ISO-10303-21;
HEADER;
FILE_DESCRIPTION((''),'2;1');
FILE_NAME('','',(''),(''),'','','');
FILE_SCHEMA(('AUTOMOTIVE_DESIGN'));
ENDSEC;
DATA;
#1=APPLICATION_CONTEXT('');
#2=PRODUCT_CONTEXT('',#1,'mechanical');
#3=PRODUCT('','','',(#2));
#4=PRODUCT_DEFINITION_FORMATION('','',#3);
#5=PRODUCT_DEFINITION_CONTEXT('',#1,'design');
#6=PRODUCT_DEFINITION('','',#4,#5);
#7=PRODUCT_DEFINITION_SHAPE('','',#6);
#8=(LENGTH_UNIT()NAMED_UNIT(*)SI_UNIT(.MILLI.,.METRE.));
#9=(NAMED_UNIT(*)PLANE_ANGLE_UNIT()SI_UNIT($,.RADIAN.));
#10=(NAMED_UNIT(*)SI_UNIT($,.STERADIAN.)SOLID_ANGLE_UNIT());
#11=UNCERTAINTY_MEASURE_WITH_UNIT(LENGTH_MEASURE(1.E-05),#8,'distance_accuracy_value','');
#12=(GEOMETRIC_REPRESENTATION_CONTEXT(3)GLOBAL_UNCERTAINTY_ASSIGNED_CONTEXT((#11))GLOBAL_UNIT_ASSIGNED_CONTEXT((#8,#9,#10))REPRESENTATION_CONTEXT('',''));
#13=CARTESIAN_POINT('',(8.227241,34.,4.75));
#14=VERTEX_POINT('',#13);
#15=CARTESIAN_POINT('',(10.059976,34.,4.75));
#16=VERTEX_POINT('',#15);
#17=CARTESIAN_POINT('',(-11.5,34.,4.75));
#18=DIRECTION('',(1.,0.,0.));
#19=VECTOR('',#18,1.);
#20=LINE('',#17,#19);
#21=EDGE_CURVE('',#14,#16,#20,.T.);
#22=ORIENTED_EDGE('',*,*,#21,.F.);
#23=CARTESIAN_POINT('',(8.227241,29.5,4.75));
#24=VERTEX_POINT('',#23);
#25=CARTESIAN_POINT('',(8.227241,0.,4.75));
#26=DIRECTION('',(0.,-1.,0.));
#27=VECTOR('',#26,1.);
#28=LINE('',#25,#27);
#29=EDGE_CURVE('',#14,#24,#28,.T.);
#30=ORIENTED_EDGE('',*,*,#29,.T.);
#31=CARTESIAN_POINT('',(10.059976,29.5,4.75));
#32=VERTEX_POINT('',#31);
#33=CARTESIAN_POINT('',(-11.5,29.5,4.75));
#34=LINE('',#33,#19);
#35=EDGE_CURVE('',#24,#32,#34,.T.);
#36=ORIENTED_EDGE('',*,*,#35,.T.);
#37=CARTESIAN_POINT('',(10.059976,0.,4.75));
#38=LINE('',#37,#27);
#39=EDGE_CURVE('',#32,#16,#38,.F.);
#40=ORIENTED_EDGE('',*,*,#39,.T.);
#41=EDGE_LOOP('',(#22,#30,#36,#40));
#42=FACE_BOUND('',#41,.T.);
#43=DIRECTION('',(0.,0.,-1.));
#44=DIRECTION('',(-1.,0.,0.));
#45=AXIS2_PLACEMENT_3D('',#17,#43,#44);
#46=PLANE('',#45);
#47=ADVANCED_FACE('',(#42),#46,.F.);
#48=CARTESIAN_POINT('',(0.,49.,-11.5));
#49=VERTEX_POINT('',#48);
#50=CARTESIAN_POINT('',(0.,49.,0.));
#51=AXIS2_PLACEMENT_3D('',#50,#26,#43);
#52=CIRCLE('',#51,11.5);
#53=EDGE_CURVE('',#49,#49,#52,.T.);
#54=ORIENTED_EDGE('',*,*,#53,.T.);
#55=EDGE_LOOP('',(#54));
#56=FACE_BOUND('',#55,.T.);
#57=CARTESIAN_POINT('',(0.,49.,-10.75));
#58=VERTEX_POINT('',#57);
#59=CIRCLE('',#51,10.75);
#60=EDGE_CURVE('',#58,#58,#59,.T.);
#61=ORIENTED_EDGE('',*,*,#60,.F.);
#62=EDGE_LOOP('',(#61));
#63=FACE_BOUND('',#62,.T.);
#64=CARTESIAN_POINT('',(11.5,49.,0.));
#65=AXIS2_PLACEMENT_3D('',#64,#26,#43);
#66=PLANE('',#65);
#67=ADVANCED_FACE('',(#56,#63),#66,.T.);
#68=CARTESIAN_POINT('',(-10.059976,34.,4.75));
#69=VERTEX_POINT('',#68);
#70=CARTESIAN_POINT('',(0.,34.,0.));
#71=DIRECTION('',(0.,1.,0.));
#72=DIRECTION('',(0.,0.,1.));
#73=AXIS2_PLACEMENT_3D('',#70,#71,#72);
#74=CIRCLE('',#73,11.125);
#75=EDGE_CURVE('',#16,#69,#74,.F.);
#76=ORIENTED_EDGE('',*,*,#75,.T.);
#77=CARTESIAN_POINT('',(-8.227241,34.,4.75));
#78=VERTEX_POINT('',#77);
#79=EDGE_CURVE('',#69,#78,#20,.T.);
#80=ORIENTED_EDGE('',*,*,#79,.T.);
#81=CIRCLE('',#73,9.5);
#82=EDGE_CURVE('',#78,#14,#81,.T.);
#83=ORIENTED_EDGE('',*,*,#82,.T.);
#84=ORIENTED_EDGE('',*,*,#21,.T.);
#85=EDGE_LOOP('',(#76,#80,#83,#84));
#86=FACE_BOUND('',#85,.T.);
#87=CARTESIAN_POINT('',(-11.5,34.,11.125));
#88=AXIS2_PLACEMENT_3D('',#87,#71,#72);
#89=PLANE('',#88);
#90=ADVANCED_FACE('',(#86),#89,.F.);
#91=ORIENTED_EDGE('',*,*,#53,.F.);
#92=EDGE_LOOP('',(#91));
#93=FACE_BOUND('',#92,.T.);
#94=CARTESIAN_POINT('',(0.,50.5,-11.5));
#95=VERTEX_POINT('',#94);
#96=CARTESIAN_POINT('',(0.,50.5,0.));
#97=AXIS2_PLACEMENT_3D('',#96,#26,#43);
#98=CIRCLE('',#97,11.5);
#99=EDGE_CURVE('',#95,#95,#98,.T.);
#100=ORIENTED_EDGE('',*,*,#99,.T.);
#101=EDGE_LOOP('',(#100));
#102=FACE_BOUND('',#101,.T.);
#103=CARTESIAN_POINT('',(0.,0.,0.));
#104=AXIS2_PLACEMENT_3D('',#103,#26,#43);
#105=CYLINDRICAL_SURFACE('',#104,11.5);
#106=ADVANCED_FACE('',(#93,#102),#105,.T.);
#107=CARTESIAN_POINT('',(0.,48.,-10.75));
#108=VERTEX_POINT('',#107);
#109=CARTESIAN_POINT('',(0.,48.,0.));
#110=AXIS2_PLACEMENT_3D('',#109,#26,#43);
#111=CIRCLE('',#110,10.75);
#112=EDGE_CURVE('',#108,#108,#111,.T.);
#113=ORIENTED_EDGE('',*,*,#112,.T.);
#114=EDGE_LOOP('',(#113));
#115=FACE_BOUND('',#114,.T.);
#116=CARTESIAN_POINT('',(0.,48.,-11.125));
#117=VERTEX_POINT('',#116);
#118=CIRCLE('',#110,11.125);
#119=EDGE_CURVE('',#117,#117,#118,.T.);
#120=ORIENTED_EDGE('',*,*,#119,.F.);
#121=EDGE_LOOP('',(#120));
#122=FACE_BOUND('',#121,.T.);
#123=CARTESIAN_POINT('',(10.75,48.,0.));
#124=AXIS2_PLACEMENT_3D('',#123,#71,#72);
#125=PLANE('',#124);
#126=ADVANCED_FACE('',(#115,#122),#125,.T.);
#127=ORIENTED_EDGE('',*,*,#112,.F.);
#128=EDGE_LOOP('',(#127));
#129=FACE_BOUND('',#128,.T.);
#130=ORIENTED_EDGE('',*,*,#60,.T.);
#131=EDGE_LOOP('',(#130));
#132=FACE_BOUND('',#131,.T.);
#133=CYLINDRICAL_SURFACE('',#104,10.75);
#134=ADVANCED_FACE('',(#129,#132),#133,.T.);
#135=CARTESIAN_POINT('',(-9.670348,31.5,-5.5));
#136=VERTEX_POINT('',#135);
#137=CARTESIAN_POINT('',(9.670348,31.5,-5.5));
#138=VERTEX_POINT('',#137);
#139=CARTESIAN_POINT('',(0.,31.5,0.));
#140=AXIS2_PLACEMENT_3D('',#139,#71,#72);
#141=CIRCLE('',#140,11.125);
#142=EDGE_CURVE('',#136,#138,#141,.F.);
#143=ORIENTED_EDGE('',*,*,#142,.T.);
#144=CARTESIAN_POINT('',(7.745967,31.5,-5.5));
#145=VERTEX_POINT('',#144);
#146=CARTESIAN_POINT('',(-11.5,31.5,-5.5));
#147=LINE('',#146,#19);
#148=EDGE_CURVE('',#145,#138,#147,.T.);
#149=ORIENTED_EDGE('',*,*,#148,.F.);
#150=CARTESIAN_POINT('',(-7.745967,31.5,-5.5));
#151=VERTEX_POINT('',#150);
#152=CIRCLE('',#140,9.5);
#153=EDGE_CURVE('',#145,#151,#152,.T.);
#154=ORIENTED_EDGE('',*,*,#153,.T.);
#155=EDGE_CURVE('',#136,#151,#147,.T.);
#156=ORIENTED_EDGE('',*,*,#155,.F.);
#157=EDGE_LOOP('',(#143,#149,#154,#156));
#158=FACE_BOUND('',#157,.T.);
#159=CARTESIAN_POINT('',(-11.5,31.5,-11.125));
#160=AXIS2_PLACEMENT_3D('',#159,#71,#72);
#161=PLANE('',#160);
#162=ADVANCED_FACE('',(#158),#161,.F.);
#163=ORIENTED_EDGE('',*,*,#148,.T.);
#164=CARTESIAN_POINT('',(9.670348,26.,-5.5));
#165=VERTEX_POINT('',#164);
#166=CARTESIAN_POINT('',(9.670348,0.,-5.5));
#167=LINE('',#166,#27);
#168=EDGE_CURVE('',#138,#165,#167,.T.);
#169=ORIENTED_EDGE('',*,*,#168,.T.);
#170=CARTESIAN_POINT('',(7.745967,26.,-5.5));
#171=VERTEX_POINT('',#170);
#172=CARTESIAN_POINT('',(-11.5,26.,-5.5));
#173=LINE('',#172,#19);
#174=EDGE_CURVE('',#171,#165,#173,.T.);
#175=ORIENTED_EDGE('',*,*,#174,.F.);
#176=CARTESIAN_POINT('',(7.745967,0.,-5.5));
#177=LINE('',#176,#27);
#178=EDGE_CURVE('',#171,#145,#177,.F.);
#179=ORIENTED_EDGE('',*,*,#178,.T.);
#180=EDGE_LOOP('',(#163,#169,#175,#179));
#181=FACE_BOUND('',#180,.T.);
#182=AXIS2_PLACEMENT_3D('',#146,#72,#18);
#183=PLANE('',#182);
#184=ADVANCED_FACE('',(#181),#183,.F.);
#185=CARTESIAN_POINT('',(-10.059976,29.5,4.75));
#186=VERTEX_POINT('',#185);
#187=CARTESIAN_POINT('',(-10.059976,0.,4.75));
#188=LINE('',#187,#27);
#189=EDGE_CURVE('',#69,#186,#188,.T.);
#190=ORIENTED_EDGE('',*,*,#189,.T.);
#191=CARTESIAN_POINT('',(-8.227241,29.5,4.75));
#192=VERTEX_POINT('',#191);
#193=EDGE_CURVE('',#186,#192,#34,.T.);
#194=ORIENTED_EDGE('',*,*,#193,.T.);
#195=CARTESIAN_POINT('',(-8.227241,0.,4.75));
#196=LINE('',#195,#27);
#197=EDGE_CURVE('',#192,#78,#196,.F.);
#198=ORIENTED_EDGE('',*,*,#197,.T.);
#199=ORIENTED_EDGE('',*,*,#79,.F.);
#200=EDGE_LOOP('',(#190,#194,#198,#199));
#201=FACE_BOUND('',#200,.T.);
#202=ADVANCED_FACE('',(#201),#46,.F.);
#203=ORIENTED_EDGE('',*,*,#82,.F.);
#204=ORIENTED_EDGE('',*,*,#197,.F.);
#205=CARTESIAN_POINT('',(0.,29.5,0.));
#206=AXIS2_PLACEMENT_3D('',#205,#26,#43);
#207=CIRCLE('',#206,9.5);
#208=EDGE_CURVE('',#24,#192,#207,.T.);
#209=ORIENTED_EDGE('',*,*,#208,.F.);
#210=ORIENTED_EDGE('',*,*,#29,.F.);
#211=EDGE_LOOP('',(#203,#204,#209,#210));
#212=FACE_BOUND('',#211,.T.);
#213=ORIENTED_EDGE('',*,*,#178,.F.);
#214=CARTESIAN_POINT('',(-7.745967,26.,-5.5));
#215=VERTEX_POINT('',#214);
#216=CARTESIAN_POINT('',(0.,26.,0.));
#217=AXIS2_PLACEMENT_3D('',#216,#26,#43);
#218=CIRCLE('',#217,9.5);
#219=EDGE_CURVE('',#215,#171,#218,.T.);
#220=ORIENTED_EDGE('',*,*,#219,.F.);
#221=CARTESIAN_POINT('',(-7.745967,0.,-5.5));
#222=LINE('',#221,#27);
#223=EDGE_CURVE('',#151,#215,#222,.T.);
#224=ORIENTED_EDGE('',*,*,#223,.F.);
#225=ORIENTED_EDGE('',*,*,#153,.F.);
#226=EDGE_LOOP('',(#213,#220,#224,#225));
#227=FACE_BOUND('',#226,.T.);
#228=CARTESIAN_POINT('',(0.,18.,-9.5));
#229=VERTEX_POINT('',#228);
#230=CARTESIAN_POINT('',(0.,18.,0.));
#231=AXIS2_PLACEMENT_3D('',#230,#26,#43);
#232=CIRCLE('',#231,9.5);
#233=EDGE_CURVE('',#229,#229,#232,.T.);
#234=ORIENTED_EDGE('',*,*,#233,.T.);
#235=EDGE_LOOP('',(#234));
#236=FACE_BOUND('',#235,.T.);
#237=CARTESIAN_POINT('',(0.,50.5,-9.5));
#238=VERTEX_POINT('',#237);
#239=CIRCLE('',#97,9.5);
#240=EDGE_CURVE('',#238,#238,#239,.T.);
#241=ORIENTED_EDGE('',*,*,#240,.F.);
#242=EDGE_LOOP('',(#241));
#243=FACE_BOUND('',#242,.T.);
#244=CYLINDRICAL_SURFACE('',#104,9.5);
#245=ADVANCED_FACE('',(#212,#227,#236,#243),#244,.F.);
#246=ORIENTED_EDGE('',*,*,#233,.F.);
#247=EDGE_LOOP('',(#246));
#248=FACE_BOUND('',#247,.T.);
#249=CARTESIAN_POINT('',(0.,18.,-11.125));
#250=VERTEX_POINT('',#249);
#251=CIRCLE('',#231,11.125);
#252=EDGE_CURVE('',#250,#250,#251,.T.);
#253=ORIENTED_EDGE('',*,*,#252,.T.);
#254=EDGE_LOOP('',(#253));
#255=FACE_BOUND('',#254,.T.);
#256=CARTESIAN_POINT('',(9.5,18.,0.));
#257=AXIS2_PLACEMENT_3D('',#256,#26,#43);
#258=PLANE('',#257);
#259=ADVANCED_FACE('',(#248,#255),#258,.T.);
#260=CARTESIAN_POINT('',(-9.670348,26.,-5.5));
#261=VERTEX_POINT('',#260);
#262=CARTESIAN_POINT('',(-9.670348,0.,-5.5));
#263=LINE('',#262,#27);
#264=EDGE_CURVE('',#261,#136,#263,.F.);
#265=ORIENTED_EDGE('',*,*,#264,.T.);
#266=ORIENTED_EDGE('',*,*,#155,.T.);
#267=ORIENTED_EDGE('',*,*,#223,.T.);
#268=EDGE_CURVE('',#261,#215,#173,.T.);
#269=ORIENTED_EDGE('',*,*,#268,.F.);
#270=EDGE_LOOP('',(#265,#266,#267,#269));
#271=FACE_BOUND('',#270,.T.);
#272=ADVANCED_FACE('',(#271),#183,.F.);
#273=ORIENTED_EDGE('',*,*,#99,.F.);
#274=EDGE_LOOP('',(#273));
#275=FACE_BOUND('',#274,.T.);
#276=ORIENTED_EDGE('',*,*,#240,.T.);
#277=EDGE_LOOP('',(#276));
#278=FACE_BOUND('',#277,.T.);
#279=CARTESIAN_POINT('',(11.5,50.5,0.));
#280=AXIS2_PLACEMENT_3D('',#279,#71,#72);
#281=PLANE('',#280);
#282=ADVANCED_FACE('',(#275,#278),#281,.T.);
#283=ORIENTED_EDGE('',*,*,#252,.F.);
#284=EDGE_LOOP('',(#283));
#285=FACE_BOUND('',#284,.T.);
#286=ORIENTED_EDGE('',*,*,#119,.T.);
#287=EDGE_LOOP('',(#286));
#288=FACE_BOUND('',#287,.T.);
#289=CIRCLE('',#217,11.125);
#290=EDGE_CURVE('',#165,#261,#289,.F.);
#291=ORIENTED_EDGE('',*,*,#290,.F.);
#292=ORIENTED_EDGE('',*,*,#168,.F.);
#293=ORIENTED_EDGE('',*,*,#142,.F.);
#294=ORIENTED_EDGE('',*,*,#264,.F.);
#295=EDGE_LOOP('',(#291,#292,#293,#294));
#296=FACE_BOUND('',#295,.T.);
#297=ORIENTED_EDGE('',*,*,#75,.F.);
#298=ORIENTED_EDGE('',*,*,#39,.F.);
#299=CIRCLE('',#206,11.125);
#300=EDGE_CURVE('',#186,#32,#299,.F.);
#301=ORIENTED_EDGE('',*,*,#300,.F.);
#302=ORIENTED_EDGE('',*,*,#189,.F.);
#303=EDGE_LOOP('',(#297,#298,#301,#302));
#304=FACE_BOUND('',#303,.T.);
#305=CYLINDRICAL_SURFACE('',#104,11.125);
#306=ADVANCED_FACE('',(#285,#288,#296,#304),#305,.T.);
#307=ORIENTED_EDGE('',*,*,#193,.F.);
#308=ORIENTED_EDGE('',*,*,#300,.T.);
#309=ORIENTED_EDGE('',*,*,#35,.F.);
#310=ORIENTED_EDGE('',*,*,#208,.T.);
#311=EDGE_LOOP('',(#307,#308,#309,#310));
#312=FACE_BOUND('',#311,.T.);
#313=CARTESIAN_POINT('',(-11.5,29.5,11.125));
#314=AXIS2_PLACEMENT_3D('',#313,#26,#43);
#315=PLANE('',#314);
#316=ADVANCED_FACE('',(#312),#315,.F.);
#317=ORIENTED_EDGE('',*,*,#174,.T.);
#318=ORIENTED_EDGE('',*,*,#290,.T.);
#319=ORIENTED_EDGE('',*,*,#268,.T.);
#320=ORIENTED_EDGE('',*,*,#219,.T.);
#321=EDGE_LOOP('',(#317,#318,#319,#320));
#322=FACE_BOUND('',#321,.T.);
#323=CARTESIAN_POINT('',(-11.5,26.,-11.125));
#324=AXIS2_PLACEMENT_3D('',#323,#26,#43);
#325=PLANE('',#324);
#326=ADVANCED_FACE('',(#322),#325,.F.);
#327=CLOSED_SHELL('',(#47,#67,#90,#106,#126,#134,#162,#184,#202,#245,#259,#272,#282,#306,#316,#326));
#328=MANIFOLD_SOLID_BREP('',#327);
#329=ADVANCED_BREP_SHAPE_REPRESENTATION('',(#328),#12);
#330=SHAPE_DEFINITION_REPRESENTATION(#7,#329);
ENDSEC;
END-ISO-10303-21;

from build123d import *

# Parameters (mm, degrees)
ENL_V_MAT_EXTRU_2_DEPTH      = 54.054217551
ENL_V_MAT_EXTRU_2_DEPTH_BACK = 54.054217551
ESQUISSE3_W                  = 6.375
ESQUISSE3_H                  = 4.5
ESQUISSE3_W_2                = 5.625
ESQUISSE3_H_2                = 5.5


with BuildPart() as part:
    # Esquisse1 → Base-Révolution (revolve)
    with BuildSketch(Plane.XY):
        Polygon((10.75, 49), (10.75, 48), (11.125, 48), (11.125, 18), (9.5, 18), (9.5, 50.5), (11.5, 50.5), (11.5, 49), align=None)
    revolve(axis=Axis((0, 0, 0), (0, 1, 0)))

    # Esquisse3 → Enlèv. mat.-Extru.2 (cut, two sides: drawn at the far end of the back side and taken through both)
    with BuildSketch(Plane(origin=(0, 0, 0), x_dir=(0, 0, -1), z_dir=(1, 0, 0)).offset(-ENL_V_MAT_EXTRU_2_DEPTH_BACK)):
        with Locations((-7.9375, 31.75)):
            Rectangle(ESQUISSE3_W, ESQUISSE3_H)
        with Locations((8.3125, 28.75)):
            Rectangle(ESQUISSE3_W_2, ESQUISSE3_H_2)
    extrude(amount=ENL_V_MAT_EXTRU_2_DEPTH + ENL_V_MAT_EXTRU_2_DEPTH_BACK, mode=Mode.SUBTRACT)


solid = part.part
